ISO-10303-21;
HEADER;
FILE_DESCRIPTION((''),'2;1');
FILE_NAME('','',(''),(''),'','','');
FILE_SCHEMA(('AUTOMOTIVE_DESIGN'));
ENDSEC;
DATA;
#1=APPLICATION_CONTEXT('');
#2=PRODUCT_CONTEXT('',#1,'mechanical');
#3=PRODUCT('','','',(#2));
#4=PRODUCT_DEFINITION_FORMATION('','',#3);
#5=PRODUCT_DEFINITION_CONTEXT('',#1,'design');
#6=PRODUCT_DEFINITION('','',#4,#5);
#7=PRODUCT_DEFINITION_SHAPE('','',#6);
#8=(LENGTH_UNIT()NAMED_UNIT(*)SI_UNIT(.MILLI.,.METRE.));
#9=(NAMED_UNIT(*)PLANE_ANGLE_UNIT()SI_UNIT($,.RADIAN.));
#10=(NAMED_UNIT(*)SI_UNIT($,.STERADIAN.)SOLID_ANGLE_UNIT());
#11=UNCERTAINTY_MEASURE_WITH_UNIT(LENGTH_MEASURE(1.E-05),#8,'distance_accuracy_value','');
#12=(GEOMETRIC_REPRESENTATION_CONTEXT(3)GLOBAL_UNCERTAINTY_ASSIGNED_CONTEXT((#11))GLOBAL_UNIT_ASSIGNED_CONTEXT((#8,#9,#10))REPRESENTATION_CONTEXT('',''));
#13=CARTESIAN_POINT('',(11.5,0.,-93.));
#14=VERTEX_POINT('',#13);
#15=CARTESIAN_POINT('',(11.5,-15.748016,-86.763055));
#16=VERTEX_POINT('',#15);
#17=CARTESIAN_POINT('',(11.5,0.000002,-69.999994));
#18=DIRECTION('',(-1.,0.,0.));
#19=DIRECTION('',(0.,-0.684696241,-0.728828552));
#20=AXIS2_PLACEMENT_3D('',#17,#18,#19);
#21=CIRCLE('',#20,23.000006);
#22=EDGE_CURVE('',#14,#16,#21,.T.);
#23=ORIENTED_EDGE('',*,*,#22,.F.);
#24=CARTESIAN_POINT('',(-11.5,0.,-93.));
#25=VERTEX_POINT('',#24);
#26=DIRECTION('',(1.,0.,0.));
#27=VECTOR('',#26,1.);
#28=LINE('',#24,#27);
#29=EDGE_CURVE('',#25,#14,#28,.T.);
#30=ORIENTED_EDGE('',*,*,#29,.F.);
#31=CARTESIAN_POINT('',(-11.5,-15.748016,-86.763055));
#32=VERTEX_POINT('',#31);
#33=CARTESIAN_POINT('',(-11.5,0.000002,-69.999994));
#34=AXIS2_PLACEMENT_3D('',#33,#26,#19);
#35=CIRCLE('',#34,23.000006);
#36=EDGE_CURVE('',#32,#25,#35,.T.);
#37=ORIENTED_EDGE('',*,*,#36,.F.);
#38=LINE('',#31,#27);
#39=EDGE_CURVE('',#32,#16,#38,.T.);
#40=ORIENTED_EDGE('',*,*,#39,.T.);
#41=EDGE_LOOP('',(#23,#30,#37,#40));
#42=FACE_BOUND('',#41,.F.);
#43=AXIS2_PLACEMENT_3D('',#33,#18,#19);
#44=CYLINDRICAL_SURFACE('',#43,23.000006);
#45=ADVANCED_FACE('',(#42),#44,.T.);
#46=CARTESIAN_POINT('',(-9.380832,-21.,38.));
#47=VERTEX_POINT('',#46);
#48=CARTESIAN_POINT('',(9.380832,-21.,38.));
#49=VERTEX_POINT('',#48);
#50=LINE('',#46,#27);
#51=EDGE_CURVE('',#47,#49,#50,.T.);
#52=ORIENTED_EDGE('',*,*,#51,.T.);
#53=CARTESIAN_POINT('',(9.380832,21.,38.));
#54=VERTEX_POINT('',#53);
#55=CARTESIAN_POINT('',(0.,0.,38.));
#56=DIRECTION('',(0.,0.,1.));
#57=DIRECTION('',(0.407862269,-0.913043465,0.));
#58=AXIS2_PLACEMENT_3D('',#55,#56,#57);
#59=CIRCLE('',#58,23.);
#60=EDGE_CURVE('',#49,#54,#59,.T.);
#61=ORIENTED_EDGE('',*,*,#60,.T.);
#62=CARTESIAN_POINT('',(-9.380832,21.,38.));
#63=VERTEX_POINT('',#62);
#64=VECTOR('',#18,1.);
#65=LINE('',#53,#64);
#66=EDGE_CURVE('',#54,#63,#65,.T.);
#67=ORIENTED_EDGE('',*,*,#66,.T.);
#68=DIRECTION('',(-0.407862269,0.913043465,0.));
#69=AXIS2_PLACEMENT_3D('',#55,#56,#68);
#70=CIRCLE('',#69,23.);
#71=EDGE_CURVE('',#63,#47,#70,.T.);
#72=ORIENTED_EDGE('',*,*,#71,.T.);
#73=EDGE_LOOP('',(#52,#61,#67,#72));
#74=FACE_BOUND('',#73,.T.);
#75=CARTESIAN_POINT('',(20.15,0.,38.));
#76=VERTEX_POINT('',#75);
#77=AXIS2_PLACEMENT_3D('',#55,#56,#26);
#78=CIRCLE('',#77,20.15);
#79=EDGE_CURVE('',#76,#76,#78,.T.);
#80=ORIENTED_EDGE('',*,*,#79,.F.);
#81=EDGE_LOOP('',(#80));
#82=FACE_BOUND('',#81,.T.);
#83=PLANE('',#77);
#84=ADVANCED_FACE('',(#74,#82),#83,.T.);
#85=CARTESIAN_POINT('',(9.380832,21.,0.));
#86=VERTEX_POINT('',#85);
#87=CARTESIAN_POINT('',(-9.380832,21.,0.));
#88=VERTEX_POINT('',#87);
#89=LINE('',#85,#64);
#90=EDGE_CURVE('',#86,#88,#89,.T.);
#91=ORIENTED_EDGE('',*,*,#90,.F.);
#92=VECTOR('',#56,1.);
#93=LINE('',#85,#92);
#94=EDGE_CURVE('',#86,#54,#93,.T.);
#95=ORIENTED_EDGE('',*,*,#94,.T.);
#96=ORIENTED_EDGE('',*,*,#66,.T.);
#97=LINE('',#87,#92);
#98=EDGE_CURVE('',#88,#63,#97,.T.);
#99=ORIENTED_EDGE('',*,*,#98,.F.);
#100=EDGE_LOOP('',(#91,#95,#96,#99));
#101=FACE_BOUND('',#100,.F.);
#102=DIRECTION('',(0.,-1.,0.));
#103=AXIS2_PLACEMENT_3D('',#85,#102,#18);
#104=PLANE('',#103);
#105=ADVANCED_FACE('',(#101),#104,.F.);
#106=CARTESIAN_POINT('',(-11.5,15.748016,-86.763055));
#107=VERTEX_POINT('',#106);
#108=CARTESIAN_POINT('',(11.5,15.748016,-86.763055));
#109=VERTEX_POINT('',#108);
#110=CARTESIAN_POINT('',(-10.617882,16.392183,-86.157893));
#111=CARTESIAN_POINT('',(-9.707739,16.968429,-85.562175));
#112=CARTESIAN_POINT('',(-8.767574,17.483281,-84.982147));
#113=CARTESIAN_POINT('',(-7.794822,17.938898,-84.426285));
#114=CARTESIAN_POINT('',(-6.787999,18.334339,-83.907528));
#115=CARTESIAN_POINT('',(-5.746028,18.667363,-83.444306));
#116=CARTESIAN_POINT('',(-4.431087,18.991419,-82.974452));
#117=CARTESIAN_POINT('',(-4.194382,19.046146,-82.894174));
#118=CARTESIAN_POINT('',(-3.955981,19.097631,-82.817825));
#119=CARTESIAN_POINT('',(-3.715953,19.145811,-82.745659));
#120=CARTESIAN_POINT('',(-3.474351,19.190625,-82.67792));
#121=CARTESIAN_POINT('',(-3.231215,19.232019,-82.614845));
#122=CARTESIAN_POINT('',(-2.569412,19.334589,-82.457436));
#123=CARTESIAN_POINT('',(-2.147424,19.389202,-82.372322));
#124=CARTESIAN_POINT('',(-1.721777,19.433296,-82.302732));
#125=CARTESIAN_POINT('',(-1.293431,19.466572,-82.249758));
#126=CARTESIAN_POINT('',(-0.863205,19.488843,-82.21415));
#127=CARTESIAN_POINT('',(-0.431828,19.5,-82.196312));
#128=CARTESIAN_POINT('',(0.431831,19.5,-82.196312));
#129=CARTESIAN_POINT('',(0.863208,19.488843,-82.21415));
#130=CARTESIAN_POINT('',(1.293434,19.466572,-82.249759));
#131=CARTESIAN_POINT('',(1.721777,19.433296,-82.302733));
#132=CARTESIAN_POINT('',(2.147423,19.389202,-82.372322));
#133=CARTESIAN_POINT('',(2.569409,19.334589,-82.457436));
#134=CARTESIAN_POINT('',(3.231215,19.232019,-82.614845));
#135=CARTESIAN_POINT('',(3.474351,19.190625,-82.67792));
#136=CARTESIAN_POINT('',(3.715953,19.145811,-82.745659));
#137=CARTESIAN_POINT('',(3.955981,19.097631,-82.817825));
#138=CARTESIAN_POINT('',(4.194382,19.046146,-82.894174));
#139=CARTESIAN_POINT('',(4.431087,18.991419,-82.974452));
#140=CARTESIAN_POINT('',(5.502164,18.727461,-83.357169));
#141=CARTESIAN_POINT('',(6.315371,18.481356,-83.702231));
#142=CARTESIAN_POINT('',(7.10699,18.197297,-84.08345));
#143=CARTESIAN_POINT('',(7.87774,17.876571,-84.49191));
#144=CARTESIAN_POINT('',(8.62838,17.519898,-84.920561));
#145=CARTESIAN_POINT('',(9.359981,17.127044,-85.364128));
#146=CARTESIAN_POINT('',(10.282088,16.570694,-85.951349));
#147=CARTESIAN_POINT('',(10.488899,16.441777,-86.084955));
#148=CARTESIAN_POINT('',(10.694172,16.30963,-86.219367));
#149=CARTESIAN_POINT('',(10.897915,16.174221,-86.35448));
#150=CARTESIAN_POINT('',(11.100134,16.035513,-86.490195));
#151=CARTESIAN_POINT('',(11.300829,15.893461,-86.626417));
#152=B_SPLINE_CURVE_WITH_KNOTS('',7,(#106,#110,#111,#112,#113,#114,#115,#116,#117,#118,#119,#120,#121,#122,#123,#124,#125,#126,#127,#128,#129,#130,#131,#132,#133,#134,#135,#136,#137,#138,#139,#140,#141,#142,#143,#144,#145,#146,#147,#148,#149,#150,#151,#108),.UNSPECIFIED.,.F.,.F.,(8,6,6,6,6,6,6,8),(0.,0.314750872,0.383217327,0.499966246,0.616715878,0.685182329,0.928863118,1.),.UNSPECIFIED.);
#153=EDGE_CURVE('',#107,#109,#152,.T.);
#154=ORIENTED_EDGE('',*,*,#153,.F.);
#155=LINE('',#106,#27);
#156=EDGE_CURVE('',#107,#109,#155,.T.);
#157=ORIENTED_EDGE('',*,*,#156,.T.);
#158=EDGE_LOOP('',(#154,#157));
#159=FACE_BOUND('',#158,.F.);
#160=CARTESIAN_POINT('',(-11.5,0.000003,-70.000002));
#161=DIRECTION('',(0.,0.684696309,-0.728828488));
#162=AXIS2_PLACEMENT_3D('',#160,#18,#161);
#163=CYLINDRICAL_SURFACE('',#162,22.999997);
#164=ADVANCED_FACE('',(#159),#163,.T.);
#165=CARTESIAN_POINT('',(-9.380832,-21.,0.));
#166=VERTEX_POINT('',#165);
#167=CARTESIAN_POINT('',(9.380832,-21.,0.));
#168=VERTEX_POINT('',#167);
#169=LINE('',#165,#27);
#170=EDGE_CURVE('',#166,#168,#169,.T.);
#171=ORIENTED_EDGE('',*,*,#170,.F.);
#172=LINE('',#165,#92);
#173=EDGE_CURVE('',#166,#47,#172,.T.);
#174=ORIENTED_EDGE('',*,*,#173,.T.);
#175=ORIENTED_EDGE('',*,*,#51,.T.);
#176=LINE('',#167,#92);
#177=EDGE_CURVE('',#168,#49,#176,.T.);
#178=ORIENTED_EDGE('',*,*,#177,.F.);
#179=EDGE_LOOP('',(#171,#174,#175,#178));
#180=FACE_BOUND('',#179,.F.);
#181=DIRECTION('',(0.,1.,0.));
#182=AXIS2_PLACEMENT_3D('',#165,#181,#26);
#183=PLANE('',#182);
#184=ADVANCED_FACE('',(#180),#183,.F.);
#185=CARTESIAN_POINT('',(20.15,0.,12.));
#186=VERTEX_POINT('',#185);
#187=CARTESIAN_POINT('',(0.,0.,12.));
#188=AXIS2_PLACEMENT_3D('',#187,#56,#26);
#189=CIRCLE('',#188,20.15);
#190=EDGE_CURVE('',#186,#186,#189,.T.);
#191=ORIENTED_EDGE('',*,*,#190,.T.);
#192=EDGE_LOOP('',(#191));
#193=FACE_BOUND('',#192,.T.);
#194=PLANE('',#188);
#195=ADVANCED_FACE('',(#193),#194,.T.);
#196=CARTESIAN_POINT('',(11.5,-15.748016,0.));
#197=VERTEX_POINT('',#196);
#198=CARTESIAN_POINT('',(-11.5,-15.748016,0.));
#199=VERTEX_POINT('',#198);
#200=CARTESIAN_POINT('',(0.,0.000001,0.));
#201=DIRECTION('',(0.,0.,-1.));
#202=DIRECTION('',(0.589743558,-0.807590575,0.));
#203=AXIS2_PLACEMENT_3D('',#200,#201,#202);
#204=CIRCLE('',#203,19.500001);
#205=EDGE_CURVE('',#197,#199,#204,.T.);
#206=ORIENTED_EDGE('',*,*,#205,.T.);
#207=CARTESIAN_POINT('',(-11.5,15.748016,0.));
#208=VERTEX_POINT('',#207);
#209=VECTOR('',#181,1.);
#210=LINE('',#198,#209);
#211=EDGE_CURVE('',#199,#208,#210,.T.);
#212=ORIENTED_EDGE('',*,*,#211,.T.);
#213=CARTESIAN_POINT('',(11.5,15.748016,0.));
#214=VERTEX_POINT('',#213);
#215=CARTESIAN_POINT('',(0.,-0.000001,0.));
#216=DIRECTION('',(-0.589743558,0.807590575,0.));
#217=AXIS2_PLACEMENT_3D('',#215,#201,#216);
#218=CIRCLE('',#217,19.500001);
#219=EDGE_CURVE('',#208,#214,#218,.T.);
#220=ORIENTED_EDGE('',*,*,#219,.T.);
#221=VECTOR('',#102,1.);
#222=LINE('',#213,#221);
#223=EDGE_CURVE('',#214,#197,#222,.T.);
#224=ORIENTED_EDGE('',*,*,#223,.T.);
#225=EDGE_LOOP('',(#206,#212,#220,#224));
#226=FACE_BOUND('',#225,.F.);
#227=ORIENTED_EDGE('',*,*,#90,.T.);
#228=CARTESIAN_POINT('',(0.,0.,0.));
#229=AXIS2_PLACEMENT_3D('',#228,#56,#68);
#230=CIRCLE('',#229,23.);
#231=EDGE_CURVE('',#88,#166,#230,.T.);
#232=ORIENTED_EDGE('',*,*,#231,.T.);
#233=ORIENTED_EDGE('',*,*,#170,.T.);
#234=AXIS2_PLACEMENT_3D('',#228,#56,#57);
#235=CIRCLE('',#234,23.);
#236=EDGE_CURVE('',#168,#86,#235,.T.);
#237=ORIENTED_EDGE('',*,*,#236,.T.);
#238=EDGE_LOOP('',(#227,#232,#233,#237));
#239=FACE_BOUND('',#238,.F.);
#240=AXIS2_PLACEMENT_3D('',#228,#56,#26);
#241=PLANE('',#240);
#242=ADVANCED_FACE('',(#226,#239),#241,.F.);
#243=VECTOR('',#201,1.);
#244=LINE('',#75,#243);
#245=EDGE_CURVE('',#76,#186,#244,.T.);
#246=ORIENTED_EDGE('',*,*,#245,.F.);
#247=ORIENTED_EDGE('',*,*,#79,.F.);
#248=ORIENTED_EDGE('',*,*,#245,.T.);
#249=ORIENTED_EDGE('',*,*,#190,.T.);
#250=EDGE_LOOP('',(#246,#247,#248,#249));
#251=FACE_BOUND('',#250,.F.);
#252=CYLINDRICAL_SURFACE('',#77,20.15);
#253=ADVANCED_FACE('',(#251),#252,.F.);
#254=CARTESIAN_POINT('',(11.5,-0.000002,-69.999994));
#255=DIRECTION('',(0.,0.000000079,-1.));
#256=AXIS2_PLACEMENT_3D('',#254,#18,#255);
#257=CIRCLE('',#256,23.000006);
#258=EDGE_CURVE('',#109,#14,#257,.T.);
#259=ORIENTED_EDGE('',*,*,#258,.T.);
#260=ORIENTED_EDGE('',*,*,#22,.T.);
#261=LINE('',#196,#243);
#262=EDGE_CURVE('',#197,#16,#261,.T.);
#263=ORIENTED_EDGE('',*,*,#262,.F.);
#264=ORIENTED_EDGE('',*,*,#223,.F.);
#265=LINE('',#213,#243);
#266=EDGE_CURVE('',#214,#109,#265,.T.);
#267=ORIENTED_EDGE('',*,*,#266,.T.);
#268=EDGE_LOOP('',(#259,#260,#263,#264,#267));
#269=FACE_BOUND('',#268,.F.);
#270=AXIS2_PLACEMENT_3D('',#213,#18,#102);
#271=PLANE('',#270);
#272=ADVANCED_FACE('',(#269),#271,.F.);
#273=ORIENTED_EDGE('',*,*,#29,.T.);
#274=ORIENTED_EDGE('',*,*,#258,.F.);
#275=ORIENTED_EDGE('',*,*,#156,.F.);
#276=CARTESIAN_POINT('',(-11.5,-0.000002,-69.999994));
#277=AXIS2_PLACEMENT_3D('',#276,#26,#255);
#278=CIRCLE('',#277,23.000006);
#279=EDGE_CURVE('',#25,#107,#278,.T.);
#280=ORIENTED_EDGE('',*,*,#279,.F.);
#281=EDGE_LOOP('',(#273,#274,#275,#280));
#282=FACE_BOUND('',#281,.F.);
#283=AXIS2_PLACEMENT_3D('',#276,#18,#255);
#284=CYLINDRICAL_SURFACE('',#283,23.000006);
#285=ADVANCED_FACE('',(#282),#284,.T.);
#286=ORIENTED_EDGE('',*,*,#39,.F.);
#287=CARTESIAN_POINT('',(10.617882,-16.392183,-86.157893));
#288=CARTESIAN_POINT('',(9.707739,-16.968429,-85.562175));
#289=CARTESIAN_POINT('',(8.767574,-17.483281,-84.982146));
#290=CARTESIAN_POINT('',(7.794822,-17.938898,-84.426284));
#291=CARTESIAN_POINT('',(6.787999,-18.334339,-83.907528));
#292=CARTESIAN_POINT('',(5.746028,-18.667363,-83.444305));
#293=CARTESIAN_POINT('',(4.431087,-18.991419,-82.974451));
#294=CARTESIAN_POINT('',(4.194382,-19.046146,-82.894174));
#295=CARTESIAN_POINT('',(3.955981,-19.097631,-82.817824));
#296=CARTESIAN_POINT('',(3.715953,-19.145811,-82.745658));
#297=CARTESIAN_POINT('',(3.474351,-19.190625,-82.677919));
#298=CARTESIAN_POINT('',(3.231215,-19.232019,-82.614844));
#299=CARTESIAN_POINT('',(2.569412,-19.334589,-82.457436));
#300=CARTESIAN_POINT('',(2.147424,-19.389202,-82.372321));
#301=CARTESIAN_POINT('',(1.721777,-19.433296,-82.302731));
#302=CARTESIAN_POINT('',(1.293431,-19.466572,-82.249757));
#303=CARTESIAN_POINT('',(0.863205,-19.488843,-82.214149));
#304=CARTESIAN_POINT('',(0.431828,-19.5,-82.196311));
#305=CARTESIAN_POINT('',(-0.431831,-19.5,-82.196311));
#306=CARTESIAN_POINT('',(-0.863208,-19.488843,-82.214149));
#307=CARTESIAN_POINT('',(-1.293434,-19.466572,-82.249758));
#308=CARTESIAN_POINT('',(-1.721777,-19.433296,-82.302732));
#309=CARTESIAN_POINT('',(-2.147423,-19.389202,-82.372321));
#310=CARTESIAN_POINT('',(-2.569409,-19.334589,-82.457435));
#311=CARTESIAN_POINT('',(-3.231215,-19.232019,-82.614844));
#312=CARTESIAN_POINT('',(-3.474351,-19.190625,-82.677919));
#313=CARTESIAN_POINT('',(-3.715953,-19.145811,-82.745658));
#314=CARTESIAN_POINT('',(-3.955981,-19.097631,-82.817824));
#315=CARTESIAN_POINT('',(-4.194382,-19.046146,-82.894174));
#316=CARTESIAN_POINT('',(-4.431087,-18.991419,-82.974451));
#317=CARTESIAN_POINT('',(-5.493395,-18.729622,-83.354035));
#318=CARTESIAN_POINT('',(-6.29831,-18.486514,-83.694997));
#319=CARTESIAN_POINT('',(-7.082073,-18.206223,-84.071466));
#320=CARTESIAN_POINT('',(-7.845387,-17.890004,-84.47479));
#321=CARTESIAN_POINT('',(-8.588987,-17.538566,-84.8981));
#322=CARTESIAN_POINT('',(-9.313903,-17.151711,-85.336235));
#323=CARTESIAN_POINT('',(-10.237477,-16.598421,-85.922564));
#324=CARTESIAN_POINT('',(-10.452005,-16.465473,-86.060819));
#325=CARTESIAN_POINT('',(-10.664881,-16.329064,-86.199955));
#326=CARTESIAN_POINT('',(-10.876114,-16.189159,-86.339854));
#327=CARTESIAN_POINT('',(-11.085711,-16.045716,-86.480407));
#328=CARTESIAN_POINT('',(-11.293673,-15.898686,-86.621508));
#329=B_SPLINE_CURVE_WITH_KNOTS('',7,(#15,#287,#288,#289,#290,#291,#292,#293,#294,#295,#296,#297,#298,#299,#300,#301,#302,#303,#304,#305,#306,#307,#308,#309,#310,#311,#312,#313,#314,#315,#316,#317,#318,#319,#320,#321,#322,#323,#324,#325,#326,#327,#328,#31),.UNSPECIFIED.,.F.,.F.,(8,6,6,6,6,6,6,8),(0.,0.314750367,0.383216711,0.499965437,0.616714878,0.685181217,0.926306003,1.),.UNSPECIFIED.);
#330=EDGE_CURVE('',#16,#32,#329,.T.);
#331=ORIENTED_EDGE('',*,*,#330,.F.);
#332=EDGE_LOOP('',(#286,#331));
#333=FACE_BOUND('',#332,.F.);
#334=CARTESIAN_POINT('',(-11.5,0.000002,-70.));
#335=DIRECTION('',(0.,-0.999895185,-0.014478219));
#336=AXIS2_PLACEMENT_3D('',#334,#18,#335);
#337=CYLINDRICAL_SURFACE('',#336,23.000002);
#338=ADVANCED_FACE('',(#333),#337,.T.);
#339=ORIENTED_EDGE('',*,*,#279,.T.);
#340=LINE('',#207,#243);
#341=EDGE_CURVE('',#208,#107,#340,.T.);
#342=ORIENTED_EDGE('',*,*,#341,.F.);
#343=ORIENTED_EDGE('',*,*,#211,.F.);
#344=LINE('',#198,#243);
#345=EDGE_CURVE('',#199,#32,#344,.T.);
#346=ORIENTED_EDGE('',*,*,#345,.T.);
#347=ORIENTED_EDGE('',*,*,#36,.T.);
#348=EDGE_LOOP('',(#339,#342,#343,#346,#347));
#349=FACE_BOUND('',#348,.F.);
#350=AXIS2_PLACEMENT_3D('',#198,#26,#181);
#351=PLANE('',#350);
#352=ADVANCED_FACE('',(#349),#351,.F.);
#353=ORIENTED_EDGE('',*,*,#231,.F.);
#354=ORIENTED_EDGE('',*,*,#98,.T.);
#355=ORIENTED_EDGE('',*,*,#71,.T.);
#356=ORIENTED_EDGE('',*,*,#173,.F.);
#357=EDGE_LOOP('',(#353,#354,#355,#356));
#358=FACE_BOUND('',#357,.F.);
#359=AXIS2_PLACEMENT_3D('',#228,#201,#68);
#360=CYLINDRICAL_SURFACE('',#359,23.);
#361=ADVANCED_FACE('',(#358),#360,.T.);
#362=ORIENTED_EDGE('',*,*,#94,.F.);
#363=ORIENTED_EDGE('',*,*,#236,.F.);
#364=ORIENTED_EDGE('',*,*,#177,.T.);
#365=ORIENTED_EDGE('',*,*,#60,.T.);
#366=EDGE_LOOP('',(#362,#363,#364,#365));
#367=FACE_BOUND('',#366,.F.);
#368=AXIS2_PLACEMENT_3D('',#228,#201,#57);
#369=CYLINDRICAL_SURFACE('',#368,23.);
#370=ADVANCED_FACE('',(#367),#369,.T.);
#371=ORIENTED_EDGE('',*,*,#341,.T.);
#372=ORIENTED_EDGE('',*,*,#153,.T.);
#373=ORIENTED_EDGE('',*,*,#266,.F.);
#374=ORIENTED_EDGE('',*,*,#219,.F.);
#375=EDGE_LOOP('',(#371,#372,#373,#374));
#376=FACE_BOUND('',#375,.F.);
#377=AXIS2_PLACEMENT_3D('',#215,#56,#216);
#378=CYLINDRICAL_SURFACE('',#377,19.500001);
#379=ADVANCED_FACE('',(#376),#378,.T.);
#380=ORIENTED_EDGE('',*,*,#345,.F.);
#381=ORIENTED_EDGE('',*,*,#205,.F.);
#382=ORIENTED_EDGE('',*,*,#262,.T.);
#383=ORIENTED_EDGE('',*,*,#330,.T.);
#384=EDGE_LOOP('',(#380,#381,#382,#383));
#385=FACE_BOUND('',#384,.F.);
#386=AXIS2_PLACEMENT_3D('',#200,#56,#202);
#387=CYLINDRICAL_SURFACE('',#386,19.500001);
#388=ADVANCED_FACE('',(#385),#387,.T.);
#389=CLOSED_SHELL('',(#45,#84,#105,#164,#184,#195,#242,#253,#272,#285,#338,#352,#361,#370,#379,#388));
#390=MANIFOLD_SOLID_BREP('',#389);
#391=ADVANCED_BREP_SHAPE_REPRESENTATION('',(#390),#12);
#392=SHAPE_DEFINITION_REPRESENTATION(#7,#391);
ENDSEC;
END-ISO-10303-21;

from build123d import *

# Parameters (mm, degrees)
F1_DEPTH = 38
F2_R     = 20.15
F3_DEPTH = 26
F5_DEPTH = 93
F7_DEPTH = 34.501


with BuildPart() as f1:
    # F0 (on Top) → F1 (new body)
    with BuildSketch(Plane.XY):
        with BuildLine():
            Line((9.380832, 21), (-9.380832, 21))
            ThreePointArc((-9.380832, 21), (-23, 0), (-9.380832, -21))
            Line((-9.380832, -21), (9.380832, -21))
            ThreePointArc((9.380832, -21), (23, 0), (9.380832, 21))
        make_face()
    extrude(amount=F1_DEPTH)

    # F2 (on face) → F3 (cut)
    with BuildSketch(Plane.XY.offset(38)):
        Circle(F2_R)
    extrude(amount=-F3_DEPTH, mode=Mode.SUBTRACT)

    # F4 (on face) → F5 (join)
    with BuildSketch(Plane(origin=(0, 0, 0), x_dir=(1, 0, 0), z_dir=(0, 0, -1))):
        with BuildLine():
            Line((-11.5, 15.748016), (-11.5, -15.748016))
            ThreePointArc((-11.5, -15.748016), (0, -19.5), (11.5, -15.748016))
            Line((11.5, -15.748016), (11.5, 15.748016))
            ThreePointArc((11.5, 15.748016), (0, 19.5), (-11.5, 15.748016))
        make_face()
    extrude(amount=F5_DEPTH)

    # F6 (on face) → F7 (cut, through all)
    with BuildSketch(Plane(origin=(-11.5, 0, 0), x_dir=(0, -1, 0), z_dir=(-1, 0, 0))):
        with BuildLine():
            Line((15.748016, -93), (15.748016, -86.763055))
            ThreePointArc((15.748016, -86.763055), (8.469054, -91.383992), (0, -93))
            Line((0, -93), (15.748016, -93))
        make_face()
        with BuildLine():
            Line((-15.748016, -93), (0, -93))
            ThreePointArc((0, -93), (-8.469054, -91.383992), (-15.748016, -86.763055))
            Line((-15.748016, -86.763055), (-15.748016, -93))
        make_face()
        with BuildLine():
            Line((22.997589, -108.386131), (22.997589, -70.332999))
            ThreePointArc((22.997589, -70.332999), (21.042627, -79.284818), (15.748016, -86.763055))
            Line((15.748016, -86.763055), (15.748016, -93))
            Line((15.748016, -93), (0, -93))
            Line((0, -93), (-15.748016, -93))
            Line((-15.748016, -93), (-15.748016, -86.763055))
            ThreePointArc((-15.748016, -86.763055), (-21.30932, -78.655224), (-22.976737, -68.96581))
            Line((-22.976737, -68.96581), (-35.855297, -106.006794))
            Line((-35.855297, -106.006794), (22.997589, -108.386131))
        make_face()
    extrude(amount=-F7_DEPTH, mode=Mode.SUBTRACT)


solid = f1.part
